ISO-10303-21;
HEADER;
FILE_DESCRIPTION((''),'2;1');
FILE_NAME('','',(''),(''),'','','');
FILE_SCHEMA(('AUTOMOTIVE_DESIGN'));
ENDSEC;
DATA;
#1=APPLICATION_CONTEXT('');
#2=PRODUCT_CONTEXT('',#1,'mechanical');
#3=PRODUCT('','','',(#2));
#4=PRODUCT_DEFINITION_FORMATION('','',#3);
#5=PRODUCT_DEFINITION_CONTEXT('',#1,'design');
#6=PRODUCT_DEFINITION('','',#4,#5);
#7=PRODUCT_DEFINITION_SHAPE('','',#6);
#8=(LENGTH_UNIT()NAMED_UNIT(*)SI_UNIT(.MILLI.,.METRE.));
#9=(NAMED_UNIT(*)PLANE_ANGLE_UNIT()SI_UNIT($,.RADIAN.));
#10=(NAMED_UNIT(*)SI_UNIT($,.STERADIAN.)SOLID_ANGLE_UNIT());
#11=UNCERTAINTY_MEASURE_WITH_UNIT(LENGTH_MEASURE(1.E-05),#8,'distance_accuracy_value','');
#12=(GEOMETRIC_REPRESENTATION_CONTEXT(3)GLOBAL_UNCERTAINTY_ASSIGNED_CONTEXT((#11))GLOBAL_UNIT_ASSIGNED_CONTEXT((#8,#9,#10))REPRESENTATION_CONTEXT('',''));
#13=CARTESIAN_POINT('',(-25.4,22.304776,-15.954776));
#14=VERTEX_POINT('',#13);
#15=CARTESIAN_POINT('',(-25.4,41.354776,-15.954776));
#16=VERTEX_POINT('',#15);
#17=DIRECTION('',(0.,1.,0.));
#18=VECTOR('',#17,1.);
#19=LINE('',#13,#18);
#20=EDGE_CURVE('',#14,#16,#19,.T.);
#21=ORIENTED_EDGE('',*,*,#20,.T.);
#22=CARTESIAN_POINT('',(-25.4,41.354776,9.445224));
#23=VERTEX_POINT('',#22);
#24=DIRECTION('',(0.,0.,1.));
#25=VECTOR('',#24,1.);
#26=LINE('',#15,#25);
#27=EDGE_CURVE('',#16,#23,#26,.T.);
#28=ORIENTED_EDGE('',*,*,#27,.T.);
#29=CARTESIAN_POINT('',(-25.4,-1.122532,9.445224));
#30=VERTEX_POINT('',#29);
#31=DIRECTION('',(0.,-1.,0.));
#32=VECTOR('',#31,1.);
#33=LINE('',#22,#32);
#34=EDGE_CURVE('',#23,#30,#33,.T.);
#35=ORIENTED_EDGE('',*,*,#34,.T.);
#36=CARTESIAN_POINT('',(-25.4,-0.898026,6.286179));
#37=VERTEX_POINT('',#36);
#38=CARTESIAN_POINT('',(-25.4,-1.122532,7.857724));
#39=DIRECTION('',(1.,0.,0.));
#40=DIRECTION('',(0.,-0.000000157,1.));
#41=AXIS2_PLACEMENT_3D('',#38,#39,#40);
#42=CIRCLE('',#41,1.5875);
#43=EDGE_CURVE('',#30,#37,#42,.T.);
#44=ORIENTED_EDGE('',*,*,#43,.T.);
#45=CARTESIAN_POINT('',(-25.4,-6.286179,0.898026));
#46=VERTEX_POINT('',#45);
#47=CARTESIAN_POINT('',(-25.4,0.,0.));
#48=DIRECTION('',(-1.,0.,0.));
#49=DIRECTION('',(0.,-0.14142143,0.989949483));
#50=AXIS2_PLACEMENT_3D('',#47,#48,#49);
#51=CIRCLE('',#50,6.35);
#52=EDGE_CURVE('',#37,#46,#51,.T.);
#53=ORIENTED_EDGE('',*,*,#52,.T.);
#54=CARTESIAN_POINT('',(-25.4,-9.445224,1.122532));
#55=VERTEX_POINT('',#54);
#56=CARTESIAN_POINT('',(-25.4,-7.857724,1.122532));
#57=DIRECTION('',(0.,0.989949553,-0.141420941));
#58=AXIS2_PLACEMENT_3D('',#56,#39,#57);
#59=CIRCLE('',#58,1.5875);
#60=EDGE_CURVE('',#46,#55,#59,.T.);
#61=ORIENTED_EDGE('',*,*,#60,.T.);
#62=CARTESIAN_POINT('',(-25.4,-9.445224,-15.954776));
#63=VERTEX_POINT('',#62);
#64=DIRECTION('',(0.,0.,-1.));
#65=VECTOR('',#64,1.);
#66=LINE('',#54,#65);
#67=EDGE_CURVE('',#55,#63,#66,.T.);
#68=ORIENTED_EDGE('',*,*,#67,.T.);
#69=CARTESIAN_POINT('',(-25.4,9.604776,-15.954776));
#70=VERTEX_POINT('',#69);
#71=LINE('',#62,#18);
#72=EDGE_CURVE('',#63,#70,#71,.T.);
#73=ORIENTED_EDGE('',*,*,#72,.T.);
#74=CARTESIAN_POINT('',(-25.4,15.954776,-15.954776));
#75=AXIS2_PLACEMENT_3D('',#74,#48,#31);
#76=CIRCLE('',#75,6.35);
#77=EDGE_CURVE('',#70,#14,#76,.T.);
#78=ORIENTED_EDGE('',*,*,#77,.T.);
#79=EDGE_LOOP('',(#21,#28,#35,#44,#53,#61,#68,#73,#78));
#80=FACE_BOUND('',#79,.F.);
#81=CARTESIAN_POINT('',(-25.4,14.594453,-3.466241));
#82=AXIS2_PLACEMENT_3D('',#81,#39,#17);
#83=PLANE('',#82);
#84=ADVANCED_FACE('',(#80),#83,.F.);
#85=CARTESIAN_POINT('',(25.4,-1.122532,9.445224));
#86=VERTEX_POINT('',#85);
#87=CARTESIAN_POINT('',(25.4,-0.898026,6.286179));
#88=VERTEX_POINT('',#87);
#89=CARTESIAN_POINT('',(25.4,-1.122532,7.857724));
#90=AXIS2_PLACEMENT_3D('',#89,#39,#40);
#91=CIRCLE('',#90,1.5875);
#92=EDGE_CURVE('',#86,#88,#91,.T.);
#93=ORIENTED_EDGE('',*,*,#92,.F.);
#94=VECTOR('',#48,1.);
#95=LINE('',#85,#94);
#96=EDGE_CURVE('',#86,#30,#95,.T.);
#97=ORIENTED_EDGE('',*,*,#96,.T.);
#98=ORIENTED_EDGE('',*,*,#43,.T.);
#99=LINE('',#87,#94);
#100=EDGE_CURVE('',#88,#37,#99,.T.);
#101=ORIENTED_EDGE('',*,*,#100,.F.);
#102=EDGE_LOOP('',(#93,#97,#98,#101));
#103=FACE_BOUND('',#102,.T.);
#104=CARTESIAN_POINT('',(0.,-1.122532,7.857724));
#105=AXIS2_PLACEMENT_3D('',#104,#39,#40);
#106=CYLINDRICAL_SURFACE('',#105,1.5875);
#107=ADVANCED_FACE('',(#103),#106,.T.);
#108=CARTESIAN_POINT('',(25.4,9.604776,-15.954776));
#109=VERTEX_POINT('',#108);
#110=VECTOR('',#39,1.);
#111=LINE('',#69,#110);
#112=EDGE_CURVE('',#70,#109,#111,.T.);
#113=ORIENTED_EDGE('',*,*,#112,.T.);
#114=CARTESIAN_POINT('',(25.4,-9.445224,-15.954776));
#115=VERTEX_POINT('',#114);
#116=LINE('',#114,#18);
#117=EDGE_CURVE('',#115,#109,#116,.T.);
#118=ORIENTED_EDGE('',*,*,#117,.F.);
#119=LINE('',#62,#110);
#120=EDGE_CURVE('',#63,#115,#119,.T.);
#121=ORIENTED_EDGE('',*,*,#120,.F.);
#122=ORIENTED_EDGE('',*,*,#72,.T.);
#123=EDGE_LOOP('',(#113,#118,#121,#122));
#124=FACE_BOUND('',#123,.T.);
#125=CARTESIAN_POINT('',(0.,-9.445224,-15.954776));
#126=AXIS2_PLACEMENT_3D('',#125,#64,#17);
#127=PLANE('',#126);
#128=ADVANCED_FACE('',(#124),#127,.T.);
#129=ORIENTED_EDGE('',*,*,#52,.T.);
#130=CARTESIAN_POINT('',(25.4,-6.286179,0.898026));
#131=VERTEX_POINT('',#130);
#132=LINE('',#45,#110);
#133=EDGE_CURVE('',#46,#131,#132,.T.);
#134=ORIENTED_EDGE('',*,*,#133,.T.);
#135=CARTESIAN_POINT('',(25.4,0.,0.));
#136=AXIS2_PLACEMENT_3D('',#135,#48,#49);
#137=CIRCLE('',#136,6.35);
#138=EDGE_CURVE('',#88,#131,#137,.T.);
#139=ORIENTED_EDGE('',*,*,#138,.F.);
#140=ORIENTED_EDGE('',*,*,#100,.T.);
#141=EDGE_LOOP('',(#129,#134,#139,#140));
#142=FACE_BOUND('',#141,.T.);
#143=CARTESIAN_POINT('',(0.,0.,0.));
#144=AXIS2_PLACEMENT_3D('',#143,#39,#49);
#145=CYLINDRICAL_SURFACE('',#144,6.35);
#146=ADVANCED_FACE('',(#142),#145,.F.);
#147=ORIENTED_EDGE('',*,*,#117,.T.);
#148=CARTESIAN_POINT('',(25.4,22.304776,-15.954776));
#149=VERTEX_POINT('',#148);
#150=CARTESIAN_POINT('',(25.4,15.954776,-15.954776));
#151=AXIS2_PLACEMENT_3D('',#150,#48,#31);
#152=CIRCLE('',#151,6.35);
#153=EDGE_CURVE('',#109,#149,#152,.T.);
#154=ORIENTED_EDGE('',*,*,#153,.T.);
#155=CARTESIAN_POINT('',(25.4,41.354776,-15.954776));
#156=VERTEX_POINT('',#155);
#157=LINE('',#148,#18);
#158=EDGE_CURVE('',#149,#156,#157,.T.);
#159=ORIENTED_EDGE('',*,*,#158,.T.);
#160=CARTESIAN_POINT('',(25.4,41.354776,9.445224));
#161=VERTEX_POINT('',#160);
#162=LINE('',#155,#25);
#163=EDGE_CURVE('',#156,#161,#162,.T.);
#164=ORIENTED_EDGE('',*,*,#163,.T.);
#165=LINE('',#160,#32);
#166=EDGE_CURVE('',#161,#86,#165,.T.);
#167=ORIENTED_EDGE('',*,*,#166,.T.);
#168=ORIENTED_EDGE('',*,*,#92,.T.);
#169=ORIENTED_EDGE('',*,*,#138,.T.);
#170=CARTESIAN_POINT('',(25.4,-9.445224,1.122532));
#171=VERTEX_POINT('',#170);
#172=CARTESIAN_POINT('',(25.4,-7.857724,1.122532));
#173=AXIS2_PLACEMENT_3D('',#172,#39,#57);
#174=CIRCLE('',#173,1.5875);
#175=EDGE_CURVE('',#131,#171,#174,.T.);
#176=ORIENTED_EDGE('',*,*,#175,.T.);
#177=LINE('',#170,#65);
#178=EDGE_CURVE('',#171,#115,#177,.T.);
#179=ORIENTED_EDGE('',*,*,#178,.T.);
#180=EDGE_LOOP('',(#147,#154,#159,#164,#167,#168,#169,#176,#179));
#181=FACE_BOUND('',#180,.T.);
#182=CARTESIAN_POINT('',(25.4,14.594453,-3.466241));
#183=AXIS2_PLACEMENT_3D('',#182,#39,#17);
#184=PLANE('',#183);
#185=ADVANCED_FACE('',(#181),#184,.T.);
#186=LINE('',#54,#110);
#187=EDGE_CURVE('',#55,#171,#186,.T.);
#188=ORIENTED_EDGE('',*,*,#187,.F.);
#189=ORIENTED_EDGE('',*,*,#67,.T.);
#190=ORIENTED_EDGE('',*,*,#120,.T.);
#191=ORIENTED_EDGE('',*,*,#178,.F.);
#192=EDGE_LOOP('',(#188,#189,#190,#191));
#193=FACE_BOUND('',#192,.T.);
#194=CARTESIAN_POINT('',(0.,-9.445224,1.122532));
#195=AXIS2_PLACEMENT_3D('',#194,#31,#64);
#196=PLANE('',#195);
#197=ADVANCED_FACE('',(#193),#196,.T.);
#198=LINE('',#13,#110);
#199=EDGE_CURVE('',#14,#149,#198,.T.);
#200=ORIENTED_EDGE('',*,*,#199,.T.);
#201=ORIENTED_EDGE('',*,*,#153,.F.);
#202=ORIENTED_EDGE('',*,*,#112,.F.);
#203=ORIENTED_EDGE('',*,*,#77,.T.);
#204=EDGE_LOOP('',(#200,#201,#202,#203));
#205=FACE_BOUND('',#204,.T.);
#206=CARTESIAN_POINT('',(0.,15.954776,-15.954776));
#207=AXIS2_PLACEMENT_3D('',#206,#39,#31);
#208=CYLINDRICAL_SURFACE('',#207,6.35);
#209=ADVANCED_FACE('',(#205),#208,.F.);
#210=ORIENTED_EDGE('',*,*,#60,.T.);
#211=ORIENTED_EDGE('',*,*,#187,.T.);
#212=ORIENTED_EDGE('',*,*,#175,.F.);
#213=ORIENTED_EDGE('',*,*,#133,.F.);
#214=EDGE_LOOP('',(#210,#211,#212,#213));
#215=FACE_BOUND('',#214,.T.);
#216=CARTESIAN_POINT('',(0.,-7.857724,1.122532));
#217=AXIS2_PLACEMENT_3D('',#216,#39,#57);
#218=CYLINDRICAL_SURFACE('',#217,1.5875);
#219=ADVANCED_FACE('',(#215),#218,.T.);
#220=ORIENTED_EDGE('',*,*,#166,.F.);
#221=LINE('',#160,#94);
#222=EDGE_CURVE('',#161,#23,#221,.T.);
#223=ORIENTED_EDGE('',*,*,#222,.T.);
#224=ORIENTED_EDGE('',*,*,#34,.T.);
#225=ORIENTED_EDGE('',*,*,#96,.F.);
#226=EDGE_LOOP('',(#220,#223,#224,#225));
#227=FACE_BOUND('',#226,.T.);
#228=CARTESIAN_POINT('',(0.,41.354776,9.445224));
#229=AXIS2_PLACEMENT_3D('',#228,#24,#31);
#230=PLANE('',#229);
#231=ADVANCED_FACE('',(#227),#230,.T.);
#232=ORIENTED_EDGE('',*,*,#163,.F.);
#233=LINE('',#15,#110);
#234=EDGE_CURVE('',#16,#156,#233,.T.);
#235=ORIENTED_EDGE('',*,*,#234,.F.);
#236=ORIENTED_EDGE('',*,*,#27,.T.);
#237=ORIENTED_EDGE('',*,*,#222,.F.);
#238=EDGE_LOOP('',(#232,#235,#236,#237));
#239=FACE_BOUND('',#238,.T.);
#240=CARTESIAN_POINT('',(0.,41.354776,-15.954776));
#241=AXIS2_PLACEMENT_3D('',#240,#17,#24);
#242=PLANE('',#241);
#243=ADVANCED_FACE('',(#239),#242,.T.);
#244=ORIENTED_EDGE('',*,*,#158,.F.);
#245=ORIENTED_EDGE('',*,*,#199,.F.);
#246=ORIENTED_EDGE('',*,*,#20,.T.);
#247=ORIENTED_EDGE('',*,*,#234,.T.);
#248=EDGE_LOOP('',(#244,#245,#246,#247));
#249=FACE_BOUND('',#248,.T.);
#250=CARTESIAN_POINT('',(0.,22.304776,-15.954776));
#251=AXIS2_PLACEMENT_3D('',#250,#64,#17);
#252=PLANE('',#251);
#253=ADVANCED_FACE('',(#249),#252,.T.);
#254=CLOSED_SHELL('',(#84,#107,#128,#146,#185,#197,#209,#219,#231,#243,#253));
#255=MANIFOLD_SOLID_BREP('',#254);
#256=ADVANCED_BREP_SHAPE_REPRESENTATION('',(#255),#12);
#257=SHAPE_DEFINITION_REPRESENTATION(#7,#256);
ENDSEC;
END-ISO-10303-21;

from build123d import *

# Parameters (mm, degrees)
F1_DEPTH = 25.4


with BuildPart() as f1:
    # F0 (on Right) → F1 (new body, symmetric)
    with BuildSketch(Plane.YZ):
        with BuildLine():
            ThreePointArc((-0.898026, 6.286179), (4.490128, -4.490128), (-6.286179, 0.898026))
            ThreePointArc((-6.286179, 0.898026), (-7.745188, 2.706038), (-9.445224, 1.122532))
            Line((-9.445224, 1.122532), (-9.445224, -15.954776))
            Line((-9.445224, -15.954776), (9.604776, -15.954776))
            ThreePointArc((9.604776, -15.954776), (15.954776, -9.604776), (22.304776, -15.954776))
            Line((22.304776, -15.954776), (41.354776, -15.954776))
            Line((41.354776, -15.954776), (41.354776, 9.445224))
            Line((41.354776, 9.445224), (-1.122532, 9.445224))
            ThreePointArc((-1.122532, 9.445224), (-2.706038, 7.745188), (-0.898026, 6.286179))
        make_face()
    extrude(amount=F1_DEPTH, both=True)


solid = f1.part
